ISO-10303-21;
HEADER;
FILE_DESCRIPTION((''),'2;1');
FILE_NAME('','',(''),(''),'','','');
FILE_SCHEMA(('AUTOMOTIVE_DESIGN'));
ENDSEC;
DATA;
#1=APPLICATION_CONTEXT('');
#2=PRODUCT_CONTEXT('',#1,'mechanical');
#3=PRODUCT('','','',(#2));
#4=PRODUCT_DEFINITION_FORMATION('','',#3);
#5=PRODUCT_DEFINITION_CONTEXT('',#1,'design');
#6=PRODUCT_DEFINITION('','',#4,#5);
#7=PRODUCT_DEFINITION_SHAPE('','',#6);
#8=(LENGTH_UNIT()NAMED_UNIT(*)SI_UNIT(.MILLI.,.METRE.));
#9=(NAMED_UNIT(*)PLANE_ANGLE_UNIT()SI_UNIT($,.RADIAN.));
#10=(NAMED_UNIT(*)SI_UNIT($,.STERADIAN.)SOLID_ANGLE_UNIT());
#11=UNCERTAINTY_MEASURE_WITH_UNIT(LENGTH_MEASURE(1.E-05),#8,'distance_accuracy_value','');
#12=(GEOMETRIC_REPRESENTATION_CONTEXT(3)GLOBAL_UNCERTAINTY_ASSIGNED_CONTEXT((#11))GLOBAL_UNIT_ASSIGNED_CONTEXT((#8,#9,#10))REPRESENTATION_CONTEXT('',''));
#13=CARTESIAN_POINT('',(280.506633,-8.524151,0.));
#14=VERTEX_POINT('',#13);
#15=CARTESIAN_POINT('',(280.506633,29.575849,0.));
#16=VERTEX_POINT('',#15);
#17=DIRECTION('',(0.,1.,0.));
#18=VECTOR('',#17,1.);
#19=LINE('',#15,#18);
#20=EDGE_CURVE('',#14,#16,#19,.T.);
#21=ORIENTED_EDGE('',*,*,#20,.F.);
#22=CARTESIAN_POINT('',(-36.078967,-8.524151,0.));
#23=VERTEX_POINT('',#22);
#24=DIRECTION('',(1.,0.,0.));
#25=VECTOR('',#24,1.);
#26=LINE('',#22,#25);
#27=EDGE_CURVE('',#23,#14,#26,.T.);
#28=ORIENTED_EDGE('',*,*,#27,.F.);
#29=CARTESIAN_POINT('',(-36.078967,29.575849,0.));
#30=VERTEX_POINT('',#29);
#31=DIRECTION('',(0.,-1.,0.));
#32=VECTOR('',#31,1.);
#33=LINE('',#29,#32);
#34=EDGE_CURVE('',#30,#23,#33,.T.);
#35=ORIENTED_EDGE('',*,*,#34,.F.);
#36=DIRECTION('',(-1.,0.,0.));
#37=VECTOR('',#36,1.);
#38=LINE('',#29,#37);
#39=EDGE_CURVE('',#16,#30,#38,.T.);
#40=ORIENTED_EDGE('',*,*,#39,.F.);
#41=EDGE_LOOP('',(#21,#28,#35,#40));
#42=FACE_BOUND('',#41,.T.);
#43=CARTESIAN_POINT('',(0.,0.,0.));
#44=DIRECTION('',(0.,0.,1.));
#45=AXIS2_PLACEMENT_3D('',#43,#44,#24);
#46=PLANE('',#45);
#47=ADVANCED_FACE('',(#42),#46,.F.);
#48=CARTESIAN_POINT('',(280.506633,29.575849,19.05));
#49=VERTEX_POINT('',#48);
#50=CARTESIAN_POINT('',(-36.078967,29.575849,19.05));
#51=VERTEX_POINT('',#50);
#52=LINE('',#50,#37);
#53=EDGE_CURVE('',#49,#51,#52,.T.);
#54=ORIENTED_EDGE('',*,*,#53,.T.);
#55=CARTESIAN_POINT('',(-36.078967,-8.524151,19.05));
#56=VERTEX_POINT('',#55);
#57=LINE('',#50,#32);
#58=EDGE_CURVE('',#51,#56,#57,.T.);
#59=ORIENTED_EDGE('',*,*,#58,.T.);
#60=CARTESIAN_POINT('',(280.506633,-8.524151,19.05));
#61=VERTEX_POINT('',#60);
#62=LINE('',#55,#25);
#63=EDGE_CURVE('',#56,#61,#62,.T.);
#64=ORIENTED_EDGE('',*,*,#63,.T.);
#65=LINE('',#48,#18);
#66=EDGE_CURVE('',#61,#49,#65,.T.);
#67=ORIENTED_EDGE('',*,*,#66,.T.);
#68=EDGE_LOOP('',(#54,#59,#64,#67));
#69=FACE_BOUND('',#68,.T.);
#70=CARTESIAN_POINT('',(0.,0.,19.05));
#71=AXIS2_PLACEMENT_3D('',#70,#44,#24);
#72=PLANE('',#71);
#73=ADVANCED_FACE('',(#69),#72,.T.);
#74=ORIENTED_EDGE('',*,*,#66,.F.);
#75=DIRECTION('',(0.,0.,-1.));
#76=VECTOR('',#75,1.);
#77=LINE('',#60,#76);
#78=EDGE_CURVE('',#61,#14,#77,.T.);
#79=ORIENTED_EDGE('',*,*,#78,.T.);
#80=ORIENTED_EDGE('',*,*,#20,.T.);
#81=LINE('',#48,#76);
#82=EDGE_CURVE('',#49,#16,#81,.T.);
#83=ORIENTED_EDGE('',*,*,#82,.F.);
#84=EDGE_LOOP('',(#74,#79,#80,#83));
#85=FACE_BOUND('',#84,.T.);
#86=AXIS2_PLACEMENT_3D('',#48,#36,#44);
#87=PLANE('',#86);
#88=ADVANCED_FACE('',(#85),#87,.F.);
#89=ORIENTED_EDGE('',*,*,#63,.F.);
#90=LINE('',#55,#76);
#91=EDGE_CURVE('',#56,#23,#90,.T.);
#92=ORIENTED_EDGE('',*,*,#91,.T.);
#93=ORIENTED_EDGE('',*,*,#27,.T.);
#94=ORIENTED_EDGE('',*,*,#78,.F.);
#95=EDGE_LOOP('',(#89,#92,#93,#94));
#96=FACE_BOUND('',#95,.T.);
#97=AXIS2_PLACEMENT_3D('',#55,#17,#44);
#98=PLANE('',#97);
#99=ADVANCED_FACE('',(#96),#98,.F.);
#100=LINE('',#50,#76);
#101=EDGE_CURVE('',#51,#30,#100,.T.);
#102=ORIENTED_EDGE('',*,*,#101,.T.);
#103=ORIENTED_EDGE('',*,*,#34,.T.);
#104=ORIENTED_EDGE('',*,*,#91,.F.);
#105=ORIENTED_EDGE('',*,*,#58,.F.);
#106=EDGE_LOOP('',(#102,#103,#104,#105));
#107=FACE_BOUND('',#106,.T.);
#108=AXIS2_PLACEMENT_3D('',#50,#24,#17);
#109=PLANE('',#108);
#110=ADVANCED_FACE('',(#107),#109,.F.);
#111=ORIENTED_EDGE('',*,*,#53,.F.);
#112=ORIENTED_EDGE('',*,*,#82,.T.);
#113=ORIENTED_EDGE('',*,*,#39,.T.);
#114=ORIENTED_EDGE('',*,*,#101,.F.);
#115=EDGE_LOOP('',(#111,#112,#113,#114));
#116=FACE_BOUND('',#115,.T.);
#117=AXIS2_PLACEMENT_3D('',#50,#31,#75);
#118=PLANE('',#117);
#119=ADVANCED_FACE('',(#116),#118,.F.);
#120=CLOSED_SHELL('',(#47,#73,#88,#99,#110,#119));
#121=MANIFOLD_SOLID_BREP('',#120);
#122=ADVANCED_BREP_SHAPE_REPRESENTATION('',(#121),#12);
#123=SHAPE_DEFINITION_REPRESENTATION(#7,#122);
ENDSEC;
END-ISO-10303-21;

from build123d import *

# Parameters (mm, degrees)
SKETCH1_W           = 316.5856
SKETCH1_H           = 38.1
BOSS_EXTRUDE1_DEPTH = 19.05


with BuildPart() as part:
    # Sketch1 → Boss-Extrude1 (new body)
    with BuildSketch(Plane.XY):
        with Locations((122.213833245, 10.525848514)):
            Rectangle(SKETCH1_W, SKETCH1_H)
    extrude(amount=BOSS_EXTRUDE1_DEPTH)


solid = part.part
